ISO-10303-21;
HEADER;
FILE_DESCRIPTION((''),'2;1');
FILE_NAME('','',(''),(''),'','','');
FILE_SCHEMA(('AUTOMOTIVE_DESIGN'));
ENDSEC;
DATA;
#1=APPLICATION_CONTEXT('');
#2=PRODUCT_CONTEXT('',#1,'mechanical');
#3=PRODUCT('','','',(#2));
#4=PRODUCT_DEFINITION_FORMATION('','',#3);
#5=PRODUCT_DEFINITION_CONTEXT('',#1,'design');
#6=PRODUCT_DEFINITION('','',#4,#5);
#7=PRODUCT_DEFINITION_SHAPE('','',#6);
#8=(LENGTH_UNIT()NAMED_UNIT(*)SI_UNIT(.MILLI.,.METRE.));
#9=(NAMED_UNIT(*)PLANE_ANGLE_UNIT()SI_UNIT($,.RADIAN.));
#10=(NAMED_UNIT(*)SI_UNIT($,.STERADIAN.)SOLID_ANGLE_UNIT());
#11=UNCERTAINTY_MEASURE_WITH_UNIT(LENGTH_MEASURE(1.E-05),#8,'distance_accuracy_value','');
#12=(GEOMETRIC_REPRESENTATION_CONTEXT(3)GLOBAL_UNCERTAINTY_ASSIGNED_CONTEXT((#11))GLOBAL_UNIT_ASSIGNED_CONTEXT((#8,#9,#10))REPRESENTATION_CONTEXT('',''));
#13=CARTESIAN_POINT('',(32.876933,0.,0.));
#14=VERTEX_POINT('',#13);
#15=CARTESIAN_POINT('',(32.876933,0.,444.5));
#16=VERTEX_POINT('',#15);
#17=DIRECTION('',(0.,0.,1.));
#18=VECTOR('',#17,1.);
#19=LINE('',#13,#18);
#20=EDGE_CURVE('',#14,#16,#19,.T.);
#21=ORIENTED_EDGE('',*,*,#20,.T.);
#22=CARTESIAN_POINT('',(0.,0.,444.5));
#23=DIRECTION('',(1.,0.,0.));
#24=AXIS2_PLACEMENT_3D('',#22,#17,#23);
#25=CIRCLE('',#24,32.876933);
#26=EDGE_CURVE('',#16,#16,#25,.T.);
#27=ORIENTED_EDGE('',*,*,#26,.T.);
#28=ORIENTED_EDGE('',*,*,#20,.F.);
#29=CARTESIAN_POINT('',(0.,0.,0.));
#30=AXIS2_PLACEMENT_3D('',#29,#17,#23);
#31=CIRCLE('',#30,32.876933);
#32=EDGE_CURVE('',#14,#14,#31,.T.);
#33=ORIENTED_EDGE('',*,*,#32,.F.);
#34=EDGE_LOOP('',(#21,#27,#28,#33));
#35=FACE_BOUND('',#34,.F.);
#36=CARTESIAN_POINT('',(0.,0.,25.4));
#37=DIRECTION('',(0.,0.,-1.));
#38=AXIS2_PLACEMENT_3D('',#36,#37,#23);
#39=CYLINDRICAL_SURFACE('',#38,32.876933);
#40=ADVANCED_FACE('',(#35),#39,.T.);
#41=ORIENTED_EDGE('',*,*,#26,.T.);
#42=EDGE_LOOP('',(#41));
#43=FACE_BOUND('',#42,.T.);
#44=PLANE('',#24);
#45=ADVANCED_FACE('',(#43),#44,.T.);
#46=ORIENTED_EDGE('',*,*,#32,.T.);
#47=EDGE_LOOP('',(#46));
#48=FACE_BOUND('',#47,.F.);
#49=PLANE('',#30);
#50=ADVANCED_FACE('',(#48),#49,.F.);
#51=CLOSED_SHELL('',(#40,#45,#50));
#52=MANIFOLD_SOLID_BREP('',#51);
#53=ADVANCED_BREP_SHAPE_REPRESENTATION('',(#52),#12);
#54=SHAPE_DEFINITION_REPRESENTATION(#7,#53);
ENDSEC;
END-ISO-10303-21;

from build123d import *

# Parameters (mm, degrees)
F0_R      = 32.876933
F1_DEPTH  = 25.4
F1_FACE_R = 32.876933
F2_DEPTH  = 419.1


with BuildPart() as f1:
    # F0 (on Top) → F1 (new body)
    with BuildSketch(Plane.XY):
        Circle(F0_R)
    extrude(amount=F1_DEPTH)

    # F1_face (on face) → F2 (join)
    with BuildSketch(Plane.XY.offset(25.4)):
        Circle(F1_FACE_R)
    extrude(amount=F2_DEPTH)


solid = f1.part
